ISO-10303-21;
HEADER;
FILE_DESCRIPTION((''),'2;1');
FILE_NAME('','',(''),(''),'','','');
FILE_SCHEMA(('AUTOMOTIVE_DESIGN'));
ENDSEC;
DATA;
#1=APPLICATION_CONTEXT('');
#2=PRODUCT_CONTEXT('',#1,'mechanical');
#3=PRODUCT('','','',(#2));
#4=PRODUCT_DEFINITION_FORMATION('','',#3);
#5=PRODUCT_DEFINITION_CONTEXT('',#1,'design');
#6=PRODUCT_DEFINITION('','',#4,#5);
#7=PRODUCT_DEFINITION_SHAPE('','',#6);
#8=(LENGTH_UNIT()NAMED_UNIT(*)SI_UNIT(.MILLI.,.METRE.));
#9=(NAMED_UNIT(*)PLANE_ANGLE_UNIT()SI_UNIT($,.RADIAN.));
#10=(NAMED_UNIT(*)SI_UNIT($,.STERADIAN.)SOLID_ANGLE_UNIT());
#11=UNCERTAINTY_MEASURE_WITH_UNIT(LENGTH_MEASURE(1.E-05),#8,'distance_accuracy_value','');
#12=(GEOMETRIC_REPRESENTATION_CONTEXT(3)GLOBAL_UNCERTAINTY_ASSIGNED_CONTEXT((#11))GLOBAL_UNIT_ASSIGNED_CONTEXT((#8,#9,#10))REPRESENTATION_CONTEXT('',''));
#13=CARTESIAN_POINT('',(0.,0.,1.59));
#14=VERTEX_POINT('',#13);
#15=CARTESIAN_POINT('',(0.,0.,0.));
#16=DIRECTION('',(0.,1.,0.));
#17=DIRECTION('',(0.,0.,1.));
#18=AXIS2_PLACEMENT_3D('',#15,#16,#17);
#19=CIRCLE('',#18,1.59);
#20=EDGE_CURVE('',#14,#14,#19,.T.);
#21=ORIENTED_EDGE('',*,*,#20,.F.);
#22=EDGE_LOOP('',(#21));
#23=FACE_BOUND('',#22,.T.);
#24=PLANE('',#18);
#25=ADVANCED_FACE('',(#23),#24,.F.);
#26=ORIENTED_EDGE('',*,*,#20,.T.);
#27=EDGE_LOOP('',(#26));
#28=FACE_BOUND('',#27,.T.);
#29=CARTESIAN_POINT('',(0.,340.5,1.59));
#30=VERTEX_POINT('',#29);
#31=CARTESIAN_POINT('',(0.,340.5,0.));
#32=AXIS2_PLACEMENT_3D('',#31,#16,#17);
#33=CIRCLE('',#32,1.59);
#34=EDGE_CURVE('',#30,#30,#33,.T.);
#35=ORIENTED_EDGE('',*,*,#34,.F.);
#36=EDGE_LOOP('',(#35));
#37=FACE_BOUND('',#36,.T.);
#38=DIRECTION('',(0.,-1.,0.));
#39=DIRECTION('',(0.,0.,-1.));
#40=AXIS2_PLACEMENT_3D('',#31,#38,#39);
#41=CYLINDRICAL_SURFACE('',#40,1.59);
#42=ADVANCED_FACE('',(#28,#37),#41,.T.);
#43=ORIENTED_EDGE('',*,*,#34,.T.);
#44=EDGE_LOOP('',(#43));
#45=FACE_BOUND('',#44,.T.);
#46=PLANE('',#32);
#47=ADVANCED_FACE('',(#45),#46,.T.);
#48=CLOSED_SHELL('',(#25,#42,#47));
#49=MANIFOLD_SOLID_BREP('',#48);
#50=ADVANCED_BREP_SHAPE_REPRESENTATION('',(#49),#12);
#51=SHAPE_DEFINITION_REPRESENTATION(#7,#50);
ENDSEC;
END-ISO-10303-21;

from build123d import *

# Parameters (mm, degrees)
SKETCH_1_R      = 1.59
EXTRUDE_1_DEPTH = 340.5


with BuildPart() as part:
    # Эскиз1 → Бобышка-Вытянуть1 (new body)
    with BuildSketch(Plane(origin=(0, 0, 0), x_dir=(1, 0, 0), z_dir=(0, 1, 0))):
        with Locations(Location((0, 0, 0), (0, 0, 270))):
            Circle(SKETCH_1_R)
    extrude(amount=EXTRUDE_1_DEPTH)


solid = part.part
